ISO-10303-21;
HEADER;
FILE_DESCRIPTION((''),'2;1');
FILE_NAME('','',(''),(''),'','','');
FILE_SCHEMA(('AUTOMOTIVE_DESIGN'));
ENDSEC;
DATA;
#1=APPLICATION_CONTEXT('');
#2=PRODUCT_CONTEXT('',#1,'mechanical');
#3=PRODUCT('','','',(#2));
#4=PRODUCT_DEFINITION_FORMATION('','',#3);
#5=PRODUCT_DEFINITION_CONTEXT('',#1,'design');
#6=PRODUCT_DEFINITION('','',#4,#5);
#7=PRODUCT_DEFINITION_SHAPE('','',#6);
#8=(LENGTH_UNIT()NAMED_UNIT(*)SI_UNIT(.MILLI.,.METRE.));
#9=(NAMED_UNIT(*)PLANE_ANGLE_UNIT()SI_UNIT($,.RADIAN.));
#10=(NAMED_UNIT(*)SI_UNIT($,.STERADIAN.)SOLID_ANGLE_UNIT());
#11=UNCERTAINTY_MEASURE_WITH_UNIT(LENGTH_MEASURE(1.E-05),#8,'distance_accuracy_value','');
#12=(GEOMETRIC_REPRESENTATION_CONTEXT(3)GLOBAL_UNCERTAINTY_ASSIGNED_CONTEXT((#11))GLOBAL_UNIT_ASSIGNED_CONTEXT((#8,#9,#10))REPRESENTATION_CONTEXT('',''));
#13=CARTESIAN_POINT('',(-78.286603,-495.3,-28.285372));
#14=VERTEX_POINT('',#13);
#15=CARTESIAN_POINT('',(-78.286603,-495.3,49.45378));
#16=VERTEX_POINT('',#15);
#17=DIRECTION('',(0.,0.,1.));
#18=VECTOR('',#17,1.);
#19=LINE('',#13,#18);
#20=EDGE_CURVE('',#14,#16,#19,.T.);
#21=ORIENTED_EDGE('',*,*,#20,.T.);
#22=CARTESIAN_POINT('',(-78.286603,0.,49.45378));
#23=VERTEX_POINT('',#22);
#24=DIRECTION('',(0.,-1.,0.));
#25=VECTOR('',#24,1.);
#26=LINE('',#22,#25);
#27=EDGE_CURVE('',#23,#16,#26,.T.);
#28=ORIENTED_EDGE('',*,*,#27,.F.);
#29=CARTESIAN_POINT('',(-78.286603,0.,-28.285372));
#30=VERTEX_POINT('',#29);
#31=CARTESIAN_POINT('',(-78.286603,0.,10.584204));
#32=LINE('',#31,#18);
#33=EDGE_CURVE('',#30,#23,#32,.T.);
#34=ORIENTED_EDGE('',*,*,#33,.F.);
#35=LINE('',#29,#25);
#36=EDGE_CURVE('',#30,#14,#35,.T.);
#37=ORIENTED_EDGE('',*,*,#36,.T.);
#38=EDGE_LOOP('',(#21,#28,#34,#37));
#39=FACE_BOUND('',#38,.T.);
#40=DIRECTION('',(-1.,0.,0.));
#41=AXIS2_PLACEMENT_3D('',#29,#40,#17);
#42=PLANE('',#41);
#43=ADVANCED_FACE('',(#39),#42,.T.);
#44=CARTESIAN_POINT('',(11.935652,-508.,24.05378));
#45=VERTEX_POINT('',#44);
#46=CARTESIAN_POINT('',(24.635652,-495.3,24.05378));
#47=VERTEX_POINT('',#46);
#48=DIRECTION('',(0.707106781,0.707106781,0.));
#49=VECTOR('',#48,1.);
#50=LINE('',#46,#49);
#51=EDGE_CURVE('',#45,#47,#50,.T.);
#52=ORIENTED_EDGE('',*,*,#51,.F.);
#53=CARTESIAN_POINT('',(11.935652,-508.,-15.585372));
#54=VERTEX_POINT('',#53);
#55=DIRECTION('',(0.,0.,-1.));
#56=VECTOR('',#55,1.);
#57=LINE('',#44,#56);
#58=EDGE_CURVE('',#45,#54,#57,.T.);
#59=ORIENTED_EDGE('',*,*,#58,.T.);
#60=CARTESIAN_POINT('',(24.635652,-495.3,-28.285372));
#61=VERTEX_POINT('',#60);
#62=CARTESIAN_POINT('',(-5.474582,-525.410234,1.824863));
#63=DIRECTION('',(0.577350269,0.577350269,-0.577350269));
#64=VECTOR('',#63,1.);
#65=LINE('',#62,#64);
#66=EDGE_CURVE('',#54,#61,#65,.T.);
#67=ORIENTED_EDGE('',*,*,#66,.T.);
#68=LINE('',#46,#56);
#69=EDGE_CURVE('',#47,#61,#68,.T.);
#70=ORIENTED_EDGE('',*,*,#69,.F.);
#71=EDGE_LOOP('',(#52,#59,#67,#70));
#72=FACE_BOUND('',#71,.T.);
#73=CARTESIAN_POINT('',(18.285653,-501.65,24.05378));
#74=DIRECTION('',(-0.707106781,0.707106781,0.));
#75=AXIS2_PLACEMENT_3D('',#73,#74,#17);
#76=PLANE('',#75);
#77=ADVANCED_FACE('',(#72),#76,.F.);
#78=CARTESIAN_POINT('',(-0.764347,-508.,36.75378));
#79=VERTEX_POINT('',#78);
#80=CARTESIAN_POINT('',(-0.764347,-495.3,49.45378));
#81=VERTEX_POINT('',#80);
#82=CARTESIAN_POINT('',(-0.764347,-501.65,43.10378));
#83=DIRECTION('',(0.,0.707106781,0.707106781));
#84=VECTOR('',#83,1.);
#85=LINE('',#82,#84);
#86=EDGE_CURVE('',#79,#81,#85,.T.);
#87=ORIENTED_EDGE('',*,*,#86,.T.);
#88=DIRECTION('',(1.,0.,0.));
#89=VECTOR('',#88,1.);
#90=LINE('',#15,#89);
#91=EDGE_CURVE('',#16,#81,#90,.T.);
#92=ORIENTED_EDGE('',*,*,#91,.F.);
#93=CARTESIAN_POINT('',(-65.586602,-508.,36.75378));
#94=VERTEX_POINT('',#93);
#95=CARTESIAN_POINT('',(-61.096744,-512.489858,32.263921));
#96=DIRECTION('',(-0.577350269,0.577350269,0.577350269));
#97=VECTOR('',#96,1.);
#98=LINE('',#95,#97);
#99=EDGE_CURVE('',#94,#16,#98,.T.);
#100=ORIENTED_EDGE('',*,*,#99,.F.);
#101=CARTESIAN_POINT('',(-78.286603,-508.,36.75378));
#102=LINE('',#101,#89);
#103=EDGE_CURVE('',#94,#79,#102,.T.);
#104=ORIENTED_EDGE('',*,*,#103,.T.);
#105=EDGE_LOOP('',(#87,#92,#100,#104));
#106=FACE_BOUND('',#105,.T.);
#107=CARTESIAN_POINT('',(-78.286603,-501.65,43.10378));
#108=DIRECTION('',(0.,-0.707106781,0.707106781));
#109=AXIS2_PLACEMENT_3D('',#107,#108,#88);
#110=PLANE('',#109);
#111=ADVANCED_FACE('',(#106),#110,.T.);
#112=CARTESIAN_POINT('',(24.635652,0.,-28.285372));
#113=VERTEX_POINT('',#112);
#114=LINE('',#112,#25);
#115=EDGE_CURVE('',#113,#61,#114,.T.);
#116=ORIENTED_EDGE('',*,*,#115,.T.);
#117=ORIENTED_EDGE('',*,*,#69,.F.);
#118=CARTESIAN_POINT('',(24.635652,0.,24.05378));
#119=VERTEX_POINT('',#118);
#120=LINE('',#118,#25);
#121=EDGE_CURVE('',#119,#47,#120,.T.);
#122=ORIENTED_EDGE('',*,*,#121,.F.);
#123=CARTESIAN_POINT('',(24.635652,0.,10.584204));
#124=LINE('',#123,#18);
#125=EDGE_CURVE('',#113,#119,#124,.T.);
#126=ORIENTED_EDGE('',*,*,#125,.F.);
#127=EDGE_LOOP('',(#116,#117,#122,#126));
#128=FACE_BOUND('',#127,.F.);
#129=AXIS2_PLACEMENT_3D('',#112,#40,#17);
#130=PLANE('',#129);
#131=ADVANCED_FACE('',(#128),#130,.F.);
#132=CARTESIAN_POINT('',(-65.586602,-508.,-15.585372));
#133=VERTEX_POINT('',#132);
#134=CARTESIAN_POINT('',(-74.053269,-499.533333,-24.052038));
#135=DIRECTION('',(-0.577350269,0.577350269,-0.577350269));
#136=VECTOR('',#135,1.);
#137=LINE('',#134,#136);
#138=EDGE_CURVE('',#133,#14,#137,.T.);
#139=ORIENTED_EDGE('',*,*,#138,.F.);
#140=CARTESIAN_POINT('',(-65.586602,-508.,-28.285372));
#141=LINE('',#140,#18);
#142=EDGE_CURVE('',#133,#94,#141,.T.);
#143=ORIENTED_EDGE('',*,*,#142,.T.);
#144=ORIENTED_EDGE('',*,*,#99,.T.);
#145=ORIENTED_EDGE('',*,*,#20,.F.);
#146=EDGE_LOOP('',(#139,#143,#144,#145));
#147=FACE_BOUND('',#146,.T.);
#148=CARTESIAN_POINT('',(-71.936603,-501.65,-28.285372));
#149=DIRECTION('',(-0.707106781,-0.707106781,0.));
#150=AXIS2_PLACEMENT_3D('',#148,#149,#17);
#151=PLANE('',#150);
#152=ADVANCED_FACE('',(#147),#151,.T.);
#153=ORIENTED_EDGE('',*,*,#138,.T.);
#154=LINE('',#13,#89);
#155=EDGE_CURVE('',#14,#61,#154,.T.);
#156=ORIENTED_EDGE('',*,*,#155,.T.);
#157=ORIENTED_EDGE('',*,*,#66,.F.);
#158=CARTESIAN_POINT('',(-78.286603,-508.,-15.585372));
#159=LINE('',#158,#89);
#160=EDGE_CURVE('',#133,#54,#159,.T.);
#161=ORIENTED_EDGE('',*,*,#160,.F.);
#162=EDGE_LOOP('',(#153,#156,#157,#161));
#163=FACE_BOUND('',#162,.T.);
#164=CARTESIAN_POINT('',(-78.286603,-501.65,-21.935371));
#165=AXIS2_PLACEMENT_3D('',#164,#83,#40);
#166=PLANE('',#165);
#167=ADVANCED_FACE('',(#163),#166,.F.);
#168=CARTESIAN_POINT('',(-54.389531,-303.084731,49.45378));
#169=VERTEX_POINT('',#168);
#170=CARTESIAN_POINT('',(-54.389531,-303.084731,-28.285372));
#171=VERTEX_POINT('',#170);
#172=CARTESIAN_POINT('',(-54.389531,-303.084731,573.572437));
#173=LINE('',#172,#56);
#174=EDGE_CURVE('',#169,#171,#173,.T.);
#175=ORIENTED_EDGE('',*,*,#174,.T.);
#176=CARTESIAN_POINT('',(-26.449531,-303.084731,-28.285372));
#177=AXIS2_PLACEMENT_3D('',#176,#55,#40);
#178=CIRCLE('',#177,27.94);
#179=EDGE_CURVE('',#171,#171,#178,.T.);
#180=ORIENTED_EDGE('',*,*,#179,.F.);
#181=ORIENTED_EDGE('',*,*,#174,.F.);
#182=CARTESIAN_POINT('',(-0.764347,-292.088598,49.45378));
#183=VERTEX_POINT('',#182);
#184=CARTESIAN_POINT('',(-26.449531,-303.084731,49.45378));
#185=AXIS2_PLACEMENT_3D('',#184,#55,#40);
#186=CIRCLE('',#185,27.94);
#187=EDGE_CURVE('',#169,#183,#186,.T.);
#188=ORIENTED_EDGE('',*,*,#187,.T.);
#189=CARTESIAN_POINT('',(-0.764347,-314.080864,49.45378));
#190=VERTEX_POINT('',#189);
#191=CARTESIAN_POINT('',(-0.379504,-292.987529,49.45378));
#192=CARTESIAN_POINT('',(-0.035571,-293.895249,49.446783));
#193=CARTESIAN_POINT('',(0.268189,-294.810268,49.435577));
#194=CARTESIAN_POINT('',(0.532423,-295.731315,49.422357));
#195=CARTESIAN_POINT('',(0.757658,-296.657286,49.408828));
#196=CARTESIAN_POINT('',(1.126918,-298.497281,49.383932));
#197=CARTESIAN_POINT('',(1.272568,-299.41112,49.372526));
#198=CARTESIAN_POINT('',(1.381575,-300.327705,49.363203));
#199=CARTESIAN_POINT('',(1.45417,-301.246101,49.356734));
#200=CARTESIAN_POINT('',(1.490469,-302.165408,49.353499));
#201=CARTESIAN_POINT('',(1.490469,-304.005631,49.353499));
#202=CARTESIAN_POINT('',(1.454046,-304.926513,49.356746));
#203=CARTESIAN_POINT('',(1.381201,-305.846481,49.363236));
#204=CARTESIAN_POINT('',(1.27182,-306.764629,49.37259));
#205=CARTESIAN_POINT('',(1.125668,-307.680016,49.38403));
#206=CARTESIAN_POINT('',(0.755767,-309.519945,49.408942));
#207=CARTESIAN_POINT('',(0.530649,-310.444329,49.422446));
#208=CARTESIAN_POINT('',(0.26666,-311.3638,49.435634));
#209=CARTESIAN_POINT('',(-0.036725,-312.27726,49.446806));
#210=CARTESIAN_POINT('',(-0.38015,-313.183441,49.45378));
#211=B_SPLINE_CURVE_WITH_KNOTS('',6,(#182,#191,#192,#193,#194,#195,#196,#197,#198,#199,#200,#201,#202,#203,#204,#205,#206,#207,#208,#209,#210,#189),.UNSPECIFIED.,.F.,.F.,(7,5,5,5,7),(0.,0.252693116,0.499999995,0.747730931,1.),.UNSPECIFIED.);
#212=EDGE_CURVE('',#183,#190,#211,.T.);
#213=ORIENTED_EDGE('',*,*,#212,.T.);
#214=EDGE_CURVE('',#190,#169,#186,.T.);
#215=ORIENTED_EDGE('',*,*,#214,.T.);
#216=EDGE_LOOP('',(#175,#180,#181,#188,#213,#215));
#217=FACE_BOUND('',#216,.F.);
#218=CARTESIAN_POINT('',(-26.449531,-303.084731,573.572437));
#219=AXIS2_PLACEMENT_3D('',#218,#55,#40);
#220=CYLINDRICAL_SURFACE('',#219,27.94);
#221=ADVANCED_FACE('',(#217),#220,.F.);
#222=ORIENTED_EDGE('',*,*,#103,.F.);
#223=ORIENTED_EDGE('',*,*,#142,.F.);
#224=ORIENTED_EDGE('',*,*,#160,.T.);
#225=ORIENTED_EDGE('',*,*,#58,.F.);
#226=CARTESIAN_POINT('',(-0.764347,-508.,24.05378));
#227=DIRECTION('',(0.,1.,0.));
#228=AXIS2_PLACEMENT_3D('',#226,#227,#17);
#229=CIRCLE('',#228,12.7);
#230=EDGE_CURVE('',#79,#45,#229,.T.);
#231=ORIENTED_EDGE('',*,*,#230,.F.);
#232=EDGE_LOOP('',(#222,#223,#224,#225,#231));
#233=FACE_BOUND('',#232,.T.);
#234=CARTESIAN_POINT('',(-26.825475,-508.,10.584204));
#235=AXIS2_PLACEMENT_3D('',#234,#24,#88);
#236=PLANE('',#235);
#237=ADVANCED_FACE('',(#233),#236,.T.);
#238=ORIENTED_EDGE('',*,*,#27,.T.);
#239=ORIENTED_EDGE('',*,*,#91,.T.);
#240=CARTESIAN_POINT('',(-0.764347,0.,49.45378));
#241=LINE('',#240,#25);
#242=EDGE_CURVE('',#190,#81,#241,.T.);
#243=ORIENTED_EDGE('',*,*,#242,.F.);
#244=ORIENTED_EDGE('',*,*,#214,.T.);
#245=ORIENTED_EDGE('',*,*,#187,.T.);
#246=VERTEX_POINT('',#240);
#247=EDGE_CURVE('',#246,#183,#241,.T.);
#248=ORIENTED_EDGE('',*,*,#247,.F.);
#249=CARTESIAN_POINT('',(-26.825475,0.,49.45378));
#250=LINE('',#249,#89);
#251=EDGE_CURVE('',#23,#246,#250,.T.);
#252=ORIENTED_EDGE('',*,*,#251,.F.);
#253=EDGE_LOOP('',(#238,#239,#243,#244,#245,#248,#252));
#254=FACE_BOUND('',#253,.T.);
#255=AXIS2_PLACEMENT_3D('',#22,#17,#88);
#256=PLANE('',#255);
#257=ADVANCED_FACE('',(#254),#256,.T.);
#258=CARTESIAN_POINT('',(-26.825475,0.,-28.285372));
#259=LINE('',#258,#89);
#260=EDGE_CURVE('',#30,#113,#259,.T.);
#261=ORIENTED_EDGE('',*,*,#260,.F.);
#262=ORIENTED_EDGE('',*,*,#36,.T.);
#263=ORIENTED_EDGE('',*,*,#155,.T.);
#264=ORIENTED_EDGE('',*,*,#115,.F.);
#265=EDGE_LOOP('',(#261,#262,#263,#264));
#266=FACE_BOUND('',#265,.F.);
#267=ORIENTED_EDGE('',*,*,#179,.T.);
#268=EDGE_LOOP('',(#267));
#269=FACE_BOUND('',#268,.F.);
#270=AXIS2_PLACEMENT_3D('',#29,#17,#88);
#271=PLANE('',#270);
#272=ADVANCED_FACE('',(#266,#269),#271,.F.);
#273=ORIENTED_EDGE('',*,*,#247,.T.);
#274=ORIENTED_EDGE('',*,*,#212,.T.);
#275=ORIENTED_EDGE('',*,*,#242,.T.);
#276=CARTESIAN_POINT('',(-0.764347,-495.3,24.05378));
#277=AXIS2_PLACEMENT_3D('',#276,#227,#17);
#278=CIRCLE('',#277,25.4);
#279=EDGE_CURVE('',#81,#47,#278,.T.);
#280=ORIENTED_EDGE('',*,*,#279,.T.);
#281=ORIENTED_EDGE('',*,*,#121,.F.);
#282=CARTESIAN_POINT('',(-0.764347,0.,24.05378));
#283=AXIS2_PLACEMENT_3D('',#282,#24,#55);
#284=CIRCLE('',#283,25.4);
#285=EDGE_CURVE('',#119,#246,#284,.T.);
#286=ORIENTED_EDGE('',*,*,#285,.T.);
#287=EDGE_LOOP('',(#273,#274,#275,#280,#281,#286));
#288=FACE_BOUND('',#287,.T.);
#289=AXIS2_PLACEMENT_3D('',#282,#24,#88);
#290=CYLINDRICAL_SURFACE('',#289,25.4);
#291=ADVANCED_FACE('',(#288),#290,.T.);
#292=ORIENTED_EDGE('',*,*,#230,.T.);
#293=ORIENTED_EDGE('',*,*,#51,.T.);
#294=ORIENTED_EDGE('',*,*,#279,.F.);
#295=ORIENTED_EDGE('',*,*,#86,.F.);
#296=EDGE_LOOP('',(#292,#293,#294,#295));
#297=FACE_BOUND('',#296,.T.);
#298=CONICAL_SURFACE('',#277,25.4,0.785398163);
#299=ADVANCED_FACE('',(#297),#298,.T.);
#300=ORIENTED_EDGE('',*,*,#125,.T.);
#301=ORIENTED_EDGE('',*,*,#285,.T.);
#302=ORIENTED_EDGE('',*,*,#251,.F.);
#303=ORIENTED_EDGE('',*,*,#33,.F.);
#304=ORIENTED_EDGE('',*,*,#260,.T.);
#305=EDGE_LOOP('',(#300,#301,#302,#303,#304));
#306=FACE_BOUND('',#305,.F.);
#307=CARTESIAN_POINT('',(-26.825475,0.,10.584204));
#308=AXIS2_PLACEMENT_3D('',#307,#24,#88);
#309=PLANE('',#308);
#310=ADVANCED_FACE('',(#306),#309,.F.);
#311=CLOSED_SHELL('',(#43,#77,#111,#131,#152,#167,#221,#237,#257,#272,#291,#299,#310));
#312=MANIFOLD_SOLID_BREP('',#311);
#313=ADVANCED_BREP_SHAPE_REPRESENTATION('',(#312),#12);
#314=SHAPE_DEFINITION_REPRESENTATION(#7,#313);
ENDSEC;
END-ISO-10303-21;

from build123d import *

# Parameters (mm, degrees)
F0_W     = 102.922255
F0_H     = 77.739151
F1_DEPTH = 508
F2_R     = 25.4
F4_D     = 55.88
F5_SIZE  = 12.7


with BuildPart() as f1:
    # F0 (on Front) → F1 (new body)
    with BuildSketch(Plane.XZ):
        with Locations((-26.825475, 10.584204)):
            Rectangle(F0_W, F0_H)
    extrude(amount=F1_DEPTH)

    # F2
    f2_edges = [f1.edges().sort_by_distance(p)[0] for p in [
        (24.635652, -254, 49.45378),
    ]]
    fillet(f2_edges, radius=F2_R)

    # F4 (through all)
    with Locations(Plane.XY.offset(49.45378)):
        with Locations((-26.449531, -303.084731)):
            Hole(F4_D / 2)

    # F5
    f5_edges = [f1.edges().sort_by_distance(p)[0] for p in [
        (-39.525476, -508, 49.45378),
        (17.196164, -508, 42.014292),
        (-78.286603, -508, 10.584204),
        (24.635652, -508, -2.115796),
        (-26.825476, -508, -28.285371),
    ]]
    chamfer(f5_edges, length=F5_SIZE)


solid = f1.part
